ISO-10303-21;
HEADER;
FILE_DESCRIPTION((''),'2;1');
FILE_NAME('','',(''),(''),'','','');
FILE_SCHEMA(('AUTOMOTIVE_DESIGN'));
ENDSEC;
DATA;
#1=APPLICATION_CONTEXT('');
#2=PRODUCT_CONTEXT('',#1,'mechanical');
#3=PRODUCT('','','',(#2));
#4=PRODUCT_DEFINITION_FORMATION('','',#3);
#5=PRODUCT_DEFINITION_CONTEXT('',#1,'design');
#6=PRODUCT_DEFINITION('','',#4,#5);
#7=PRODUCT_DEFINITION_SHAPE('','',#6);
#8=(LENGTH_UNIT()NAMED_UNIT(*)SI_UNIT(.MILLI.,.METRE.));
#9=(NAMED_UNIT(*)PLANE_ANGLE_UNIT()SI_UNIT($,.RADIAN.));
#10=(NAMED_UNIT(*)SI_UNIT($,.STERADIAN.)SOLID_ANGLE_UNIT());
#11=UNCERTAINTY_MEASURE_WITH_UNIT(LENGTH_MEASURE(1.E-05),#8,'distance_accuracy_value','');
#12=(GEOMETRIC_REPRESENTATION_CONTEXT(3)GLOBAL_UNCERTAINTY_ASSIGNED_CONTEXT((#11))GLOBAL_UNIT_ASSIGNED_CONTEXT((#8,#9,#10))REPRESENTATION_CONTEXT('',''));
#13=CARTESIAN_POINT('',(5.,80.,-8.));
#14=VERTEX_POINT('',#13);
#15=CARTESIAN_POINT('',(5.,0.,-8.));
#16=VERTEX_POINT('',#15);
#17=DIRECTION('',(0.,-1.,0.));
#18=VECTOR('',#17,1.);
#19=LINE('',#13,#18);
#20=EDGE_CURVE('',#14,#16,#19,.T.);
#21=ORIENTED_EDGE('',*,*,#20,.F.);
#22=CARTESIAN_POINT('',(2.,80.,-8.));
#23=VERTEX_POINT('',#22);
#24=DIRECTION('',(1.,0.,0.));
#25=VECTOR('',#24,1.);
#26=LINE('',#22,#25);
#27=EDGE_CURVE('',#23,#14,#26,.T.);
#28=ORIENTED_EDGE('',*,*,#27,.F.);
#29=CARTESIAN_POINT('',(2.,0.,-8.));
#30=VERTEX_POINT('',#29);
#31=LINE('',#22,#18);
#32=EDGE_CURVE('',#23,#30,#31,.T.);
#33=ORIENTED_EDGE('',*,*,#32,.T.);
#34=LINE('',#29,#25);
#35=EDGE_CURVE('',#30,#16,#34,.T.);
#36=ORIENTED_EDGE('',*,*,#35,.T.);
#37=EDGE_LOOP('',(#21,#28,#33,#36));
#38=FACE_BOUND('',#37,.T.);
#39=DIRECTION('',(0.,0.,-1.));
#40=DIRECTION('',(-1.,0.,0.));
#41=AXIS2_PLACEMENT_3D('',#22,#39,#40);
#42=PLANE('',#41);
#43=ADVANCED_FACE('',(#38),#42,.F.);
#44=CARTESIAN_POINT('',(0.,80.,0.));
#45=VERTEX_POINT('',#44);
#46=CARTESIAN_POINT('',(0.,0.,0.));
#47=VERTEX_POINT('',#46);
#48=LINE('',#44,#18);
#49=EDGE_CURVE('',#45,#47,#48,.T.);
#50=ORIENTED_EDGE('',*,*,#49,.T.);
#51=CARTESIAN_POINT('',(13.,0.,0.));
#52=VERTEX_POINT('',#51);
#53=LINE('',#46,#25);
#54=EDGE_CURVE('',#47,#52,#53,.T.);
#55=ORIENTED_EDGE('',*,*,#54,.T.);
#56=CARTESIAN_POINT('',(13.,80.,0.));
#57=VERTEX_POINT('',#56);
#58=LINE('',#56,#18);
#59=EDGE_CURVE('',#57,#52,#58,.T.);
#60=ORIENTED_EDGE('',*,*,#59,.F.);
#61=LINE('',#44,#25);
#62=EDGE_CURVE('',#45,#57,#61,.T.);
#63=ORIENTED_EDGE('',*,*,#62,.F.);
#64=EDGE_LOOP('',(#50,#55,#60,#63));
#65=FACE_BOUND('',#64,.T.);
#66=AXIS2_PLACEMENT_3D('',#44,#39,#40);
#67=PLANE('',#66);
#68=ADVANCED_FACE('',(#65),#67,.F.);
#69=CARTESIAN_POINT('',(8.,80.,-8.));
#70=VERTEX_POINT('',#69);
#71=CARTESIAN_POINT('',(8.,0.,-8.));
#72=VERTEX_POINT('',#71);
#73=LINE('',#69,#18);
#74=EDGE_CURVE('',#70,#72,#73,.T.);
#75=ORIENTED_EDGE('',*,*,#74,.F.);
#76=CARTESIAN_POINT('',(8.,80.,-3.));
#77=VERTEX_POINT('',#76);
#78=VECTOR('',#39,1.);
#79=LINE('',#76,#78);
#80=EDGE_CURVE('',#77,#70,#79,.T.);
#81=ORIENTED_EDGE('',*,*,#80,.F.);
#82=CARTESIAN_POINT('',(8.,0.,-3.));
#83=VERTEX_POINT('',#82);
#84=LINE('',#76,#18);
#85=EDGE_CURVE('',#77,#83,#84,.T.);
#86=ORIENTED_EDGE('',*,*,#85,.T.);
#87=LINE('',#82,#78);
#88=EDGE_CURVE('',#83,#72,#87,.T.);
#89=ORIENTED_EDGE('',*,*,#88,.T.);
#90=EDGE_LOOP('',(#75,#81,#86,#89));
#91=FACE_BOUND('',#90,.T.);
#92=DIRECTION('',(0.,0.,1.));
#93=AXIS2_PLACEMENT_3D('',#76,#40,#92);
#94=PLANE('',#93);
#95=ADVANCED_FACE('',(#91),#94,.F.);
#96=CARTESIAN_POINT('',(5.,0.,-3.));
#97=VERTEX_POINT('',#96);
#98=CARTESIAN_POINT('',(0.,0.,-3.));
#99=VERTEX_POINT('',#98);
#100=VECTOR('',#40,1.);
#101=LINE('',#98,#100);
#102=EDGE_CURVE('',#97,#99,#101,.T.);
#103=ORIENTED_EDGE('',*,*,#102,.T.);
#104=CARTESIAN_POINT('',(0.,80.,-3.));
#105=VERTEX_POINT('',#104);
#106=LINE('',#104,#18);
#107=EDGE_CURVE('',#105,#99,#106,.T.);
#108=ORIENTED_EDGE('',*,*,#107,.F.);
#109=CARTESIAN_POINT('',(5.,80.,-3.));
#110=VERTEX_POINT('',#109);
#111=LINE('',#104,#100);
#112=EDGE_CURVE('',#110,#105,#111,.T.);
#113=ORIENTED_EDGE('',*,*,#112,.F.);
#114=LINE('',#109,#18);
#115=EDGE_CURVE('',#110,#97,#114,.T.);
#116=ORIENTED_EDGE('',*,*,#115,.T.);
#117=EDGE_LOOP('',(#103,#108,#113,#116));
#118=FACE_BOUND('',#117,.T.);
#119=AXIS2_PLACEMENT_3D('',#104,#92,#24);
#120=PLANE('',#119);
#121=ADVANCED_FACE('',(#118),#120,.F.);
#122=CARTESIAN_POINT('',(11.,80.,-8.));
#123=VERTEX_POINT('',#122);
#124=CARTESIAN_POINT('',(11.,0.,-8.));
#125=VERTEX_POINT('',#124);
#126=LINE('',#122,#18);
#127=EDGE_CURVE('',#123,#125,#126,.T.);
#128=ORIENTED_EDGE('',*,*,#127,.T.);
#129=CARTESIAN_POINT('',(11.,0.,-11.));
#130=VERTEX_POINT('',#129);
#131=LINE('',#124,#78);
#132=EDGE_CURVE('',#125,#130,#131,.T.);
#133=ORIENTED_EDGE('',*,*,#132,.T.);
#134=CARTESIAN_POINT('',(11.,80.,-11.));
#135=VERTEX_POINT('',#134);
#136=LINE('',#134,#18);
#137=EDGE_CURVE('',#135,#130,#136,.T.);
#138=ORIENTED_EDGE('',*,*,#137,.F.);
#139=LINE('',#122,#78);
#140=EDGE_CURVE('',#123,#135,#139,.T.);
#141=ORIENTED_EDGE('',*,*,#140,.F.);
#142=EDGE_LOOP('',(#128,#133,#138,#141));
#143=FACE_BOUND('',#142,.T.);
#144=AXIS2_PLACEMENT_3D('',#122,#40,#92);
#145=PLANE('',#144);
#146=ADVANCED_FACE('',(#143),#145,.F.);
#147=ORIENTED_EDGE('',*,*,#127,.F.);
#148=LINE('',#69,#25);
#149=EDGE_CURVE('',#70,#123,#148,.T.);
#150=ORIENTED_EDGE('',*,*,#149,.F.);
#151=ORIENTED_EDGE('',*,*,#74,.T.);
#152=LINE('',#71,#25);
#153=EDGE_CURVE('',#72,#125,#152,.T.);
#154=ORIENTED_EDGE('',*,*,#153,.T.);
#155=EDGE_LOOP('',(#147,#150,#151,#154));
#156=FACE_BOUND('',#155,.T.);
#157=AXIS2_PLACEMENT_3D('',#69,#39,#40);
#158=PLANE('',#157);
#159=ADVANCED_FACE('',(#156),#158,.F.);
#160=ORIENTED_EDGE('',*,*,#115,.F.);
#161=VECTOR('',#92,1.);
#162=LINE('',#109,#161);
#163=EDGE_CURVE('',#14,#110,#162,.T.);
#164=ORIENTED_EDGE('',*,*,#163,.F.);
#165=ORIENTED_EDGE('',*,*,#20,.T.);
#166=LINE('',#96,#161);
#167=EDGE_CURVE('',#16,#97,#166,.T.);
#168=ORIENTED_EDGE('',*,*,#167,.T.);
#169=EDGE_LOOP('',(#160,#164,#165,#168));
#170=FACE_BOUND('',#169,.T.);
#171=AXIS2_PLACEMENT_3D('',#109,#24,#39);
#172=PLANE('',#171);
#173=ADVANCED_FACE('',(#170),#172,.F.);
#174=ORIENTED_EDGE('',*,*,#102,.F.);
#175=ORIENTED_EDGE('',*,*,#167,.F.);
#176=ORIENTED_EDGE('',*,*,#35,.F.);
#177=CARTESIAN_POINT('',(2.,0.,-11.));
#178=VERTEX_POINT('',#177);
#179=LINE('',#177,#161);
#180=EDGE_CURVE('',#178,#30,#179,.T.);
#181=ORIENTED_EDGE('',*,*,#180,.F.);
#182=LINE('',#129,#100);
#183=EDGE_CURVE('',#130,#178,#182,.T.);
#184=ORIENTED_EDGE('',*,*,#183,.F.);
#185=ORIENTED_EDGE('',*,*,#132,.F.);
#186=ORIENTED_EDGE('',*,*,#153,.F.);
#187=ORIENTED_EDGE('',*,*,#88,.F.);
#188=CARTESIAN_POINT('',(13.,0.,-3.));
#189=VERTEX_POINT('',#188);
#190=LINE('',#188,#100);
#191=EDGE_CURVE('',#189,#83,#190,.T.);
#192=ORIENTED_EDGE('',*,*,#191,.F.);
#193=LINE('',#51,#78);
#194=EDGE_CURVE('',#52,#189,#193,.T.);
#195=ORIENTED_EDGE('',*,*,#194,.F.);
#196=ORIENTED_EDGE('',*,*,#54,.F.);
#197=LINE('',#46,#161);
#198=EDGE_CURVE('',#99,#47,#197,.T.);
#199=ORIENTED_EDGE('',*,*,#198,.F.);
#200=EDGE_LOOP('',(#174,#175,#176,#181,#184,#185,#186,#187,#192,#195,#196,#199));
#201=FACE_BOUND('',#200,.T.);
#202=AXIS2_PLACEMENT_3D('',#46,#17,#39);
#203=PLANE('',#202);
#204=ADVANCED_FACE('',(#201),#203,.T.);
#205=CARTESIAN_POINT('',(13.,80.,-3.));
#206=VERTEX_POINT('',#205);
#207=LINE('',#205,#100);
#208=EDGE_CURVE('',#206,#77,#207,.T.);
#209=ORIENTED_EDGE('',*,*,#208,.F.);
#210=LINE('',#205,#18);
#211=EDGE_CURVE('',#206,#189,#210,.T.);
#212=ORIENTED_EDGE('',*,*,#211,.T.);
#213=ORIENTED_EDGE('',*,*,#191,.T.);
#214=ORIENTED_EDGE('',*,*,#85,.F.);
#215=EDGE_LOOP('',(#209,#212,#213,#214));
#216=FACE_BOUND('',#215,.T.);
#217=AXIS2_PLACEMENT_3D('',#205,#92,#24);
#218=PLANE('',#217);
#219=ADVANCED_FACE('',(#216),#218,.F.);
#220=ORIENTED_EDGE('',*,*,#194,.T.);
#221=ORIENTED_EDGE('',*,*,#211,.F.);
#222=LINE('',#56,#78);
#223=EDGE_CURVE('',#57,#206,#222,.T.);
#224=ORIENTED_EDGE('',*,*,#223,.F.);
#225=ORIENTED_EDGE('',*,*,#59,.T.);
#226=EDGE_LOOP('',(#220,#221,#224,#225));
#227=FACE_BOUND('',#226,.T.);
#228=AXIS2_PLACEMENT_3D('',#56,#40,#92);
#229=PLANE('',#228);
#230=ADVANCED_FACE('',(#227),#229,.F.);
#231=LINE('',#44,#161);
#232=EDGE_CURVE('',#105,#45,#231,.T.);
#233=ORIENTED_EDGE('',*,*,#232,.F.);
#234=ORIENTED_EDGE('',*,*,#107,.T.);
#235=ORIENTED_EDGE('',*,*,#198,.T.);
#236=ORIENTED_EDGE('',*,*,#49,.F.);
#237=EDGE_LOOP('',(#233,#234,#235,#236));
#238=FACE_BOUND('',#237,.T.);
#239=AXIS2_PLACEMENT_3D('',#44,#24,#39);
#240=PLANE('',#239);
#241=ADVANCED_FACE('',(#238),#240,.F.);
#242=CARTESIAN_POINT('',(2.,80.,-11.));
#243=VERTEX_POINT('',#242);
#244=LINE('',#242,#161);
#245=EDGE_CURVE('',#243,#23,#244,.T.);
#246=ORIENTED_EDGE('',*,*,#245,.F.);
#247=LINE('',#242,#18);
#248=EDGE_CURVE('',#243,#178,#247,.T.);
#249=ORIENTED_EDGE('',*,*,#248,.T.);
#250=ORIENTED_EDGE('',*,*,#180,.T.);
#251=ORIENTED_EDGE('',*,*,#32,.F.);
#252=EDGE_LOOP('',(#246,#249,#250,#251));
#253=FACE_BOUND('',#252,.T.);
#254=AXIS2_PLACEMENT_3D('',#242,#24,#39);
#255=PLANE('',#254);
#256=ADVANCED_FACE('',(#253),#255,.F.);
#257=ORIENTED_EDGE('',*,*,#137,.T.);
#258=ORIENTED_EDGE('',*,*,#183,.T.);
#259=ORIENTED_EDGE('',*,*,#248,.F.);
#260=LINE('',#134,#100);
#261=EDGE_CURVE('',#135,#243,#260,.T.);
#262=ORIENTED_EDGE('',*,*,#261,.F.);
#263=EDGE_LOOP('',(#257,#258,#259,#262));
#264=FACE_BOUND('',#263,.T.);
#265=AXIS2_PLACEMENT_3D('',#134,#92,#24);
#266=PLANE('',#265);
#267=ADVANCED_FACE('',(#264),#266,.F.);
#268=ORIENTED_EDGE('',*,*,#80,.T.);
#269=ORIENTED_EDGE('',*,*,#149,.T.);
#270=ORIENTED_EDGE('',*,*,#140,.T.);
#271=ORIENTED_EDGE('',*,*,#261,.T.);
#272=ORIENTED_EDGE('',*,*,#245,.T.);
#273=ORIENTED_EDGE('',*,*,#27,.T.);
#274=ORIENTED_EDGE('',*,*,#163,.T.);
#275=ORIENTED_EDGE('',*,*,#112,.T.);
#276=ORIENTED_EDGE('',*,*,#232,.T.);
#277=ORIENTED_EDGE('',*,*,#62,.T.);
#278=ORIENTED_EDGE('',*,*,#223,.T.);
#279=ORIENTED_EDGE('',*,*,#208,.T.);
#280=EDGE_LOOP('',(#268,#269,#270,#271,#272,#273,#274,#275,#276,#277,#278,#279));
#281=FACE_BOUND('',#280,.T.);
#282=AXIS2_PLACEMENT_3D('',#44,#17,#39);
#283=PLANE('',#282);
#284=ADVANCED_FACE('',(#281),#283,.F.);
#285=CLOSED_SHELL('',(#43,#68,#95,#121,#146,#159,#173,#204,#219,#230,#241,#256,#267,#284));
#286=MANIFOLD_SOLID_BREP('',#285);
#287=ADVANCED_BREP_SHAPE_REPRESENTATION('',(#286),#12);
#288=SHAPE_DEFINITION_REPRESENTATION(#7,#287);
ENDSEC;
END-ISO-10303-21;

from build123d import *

# Parameters (mm, degrees)
EXTRUDE_1_DEPTH = 80


with BuildPart() as part:
    # 草图1 → 凸台-拉伸1 (new body)
    with BuildSketch(Plane(origin=(0, 0, 0), x_dir=(1, 0, 0), z_dir=(0, 1, 0))):
        Polygon((0, 0), (13, 0), (13, 3), (8, 3), (8, 8), (11, 8), (11, 11), (2, 11), (2, 8), (5, 8), (5, 3), (0, 3), align=None)
    extrude(amount=EXTRUDE_1_DEPTH)


solid = part.part
